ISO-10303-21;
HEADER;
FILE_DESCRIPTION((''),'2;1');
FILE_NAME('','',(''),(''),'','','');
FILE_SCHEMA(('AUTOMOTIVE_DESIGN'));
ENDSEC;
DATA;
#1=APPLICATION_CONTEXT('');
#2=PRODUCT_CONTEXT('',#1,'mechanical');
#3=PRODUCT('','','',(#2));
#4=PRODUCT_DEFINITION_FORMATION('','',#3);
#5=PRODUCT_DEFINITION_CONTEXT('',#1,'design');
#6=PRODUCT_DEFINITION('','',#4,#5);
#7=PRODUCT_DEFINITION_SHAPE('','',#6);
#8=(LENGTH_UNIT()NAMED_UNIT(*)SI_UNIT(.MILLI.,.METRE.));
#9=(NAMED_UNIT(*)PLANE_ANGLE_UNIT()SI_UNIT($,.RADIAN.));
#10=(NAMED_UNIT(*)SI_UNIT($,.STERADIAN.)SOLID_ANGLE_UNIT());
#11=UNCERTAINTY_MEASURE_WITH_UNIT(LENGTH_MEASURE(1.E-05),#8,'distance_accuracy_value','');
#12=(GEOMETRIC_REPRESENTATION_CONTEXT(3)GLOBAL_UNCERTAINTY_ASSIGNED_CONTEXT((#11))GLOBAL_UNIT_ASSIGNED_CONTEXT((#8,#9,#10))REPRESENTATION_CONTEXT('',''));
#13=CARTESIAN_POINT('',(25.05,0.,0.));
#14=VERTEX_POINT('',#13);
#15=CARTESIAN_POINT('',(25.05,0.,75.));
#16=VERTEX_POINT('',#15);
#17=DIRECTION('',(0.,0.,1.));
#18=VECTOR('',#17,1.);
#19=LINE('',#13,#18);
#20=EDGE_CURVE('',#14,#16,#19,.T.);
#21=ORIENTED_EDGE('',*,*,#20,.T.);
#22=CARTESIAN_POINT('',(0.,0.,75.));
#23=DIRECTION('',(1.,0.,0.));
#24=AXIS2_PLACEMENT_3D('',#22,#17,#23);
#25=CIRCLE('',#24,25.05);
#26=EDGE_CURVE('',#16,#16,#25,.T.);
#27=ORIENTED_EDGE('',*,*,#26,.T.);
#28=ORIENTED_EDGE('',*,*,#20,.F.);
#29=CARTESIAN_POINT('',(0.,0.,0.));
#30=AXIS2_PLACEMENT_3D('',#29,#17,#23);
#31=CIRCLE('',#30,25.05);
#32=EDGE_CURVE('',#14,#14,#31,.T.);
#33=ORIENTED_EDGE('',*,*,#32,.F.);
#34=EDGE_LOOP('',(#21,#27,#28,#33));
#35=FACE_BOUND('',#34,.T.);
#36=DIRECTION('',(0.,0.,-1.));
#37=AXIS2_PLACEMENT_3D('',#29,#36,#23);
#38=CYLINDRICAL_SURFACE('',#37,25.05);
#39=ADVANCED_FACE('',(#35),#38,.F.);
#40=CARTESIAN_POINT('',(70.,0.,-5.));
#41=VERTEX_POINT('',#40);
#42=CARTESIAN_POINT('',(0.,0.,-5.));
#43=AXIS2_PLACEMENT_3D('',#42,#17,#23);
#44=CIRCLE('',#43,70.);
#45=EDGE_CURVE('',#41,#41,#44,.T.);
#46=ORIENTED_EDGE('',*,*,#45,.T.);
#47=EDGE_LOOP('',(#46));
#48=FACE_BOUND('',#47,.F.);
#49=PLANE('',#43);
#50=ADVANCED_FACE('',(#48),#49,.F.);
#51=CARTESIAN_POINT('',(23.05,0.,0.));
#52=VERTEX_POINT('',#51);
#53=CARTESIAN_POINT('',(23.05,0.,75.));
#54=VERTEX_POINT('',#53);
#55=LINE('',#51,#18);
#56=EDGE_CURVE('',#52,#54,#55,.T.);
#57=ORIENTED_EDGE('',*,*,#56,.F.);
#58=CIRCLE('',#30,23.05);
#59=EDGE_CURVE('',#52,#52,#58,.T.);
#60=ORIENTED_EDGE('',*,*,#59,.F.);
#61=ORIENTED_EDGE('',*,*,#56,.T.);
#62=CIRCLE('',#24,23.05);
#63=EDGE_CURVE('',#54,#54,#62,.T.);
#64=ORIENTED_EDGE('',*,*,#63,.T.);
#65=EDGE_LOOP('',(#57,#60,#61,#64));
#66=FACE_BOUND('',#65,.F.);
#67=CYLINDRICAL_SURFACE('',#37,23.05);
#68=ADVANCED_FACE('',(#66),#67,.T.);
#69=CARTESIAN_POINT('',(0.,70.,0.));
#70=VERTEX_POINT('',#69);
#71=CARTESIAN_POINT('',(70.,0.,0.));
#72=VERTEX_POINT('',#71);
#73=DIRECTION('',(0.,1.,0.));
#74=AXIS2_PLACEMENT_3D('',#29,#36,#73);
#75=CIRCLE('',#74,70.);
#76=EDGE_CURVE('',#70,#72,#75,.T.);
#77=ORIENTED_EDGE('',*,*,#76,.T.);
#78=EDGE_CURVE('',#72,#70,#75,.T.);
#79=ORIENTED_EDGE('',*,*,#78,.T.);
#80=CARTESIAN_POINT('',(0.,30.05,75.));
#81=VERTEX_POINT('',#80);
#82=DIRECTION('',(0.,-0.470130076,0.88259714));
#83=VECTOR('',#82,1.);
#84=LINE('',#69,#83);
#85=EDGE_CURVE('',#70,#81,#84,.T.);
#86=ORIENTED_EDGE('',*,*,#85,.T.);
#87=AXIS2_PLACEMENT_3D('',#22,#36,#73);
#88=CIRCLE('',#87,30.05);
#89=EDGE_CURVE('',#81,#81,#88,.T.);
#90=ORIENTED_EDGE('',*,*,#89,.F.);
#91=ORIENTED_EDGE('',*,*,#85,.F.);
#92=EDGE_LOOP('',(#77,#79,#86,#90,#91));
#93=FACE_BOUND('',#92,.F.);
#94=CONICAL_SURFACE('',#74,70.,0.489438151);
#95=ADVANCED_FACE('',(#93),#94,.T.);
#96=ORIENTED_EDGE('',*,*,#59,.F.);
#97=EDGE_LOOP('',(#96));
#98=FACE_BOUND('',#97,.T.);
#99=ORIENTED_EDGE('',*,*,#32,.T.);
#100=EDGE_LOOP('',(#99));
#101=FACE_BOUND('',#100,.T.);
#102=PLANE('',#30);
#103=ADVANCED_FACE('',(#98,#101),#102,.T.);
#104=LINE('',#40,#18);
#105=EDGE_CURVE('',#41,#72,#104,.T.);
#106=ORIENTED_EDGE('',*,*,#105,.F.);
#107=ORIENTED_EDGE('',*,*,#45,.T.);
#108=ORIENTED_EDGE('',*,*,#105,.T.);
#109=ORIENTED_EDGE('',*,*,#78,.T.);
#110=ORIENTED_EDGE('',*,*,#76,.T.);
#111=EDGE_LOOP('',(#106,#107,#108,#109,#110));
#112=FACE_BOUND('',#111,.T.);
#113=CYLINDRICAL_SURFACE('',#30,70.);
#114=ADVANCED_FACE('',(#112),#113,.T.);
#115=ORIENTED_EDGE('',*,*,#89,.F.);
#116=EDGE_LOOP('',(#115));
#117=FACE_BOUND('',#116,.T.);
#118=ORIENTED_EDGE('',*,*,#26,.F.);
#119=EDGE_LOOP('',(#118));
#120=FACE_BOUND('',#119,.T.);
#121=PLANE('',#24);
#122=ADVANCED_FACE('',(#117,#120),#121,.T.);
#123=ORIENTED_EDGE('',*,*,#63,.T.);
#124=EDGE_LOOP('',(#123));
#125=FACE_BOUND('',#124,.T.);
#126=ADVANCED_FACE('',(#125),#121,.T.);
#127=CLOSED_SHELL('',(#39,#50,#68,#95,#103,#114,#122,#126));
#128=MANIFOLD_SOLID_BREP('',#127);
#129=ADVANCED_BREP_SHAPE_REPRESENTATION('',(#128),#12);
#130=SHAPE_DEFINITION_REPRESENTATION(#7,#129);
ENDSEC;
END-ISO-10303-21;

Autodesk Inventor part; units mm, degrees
ref_plane "YZ Plane" through (0, 0, 0) normal (1, 0, 0) x (0, 1, 0)
ref_plane "XZ Plane" through (0, 0, 0) normal (0, 1, 0) x (-1, 0, 0)
ref_plane "XY Plane" through (0, 0, 0) normal (0, 0, 1) x (1, 0, 0)
sketch "Skizze1" plane through (0, 0, 0) normal (0, 0, 1) x (1, 0, 0)
  circle A0 centre (0, 0) radius 70
  circle A1 centre (0, 0) radius 25.05
  circle A2 centre (0, 0) radius 23.05
  dimension "d0" = 140
  dimension "d1" = 50.1
  dimension "d2" = 46.1
extrude "Extrusion1" add sketch "Skizze1" against normal blind 5 contours A0 | A1 | A2
extrude "Extrusion2" add sketch "Skizze1" along normal blind 75
sketch "Skizze2" plane through (0, 0, 0) normal (1, 0, 0) x (0, 1, 0)
  line L0 (23.05, 75) -> (23.05, 0) projected
  line L1 (23.05, 0) -> (25.05, 0) projected
  line L2 (25.05, 0) -> (25.05, 75) projected
  line L3 (25.05, 75) -> (70, 75) projected
  line L4 (70, 75) -> (70, -5) projected
  line L5 (70, -5) -> (-70, -5) projected
  line L6 (-70, -5) -> (-70, 75) projected
  line L7 (-70, 75) -> (-25.05, 75) projected
  line L8 (-25.05, 75) -> (-25.05, 0) projected
  line L9 (-25.05, 0) -> (-23.05, 0) projected
  line L10 (-23.05, 0) -> (-23.05, 75) projected
  line L11 (-23.05, 75) -> (23.05, 75) projected
  line L12 (70, 75) -> (70, 0)
  line L13 (0, 75) -> (0, -5) construction
  line L14 (70, 0) -> (30.05, 75)
  line L15 (70, 75) -> (30.05, 75)
  point P0 (0, 0)
  dimension "d7" = 5
revolve "Umdrehung1" cut sketch "Skizze2" angle 360 about axis through (0, 0, 75) along (0, 0, -1) contours L3 L4 L14
properties part number "Zyklon_Konus"
